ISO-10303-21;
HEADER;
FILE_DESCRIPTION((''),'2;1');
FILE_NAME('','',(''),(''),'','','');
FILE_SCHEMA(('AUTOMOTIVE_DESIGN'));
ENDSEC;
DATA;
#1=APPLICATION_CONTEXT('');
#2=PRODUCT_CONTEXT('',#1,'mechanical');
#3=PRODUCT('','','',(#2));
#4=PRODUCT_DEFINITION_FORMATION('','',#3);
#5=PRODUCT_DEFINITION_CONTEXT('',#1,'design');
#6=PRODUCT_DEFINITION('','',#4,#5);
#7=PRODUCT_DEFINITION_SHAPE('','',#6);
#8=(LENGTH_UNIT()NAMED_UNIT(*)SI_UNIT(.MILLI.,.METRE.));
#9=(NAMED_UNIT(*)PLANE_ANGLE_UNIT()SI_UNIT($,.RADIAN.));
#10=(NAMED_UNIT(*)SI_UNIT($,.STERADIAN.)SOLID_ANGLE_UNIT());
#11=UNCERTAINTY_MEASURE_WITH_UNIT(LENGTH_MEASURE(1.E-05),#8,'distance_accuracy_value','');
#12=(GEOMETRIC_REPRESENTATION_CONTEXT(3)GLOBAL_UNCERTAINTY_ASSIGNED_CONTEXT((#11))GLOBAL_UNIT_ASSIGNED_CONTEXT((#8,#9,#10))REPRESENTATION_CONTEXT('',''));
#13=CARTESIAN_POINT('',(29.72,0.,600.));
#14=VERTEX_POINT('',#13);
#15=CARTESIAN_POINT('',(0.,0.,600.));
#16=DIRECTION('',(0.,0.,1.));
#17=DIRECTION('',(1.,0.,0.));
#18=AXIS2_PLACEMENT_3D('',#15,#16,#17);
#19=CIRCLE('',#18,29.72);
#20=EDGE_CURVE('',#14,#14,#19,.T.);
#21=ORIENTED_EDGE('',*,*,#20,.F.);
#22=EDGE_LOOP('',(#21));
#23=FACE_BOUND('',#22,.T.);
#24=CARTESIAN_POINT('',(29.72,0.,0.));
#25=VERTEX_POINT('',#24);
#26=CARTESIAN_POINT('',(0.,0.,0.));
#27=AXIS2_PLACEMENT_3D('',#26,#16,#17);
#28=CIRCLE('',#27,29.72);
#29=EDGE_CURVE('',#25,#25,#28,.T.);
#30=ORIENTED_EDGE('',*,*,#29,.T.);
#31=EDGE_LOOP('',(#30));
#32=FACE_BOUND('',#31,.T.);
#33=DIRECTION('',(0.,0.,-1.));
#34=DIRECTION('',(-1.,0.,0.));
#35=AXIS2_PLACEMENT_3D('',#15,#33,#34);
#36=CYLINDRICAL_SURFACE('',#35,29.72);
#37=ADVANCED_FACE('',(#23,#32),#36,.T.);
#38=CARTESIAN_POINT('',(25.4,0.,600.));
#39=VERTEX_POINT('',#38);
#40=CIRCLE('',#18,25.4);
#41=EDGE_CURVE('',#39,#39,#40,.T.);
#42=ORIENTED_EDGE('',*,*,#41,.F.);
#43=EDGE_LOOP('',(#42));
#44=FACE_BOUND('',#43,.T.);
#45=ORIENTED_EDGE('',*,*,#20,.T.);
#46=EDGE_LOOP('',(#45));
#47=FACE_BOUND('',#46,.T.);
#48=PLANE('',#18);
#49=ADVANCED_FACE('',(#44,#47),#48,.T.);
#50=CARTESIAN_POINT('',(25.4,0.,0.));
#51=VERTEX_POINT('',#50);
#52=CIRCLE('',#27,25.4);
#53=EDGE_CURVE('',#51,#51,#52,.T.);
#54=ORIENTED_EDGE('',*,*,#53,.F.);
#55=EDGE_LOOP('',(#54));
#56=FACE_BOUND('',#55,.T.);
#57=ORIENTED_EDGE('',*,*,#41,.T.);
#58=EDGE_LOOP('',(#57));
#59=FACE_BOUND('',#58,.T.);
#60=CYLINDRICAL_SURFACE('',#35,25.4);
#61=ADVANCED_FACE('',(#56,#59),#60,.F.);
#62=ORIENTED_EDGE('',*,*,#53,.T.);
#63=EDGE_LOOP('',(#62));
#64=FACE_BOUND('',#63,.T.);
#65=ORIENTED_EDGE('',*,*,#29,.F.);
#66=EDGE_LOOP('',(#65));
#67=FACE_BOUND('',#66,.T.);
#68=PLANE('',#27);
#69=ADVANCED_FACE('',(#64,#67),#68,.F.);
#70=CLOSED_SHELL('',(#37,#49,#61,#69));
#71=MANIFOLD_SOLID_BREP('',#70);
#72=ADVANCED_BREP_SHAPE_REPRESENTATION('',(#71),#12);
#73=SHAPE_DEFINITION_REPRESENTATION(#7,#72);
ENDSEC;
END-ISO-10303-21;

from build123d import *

# Parameters (mm, degrees)
CROQUIS1_R              = 29.72
CROQUIS1_R_2            = 25.4
SALIENTE_EXTRUIR1_DEPTH = 600


with BuildPart() as part:
    # Croquis1 → Saliente-Extruir1 (new body)
    with BuildSketch(Plane.XY):
        Circle(CROQUIS1_R)
        Circle(CROQUIS1_R_2, mode=Mode.SUBTRACT)
    extrude(amount=SALIENTE_EXTRUIR1_DEPTH)


solid = part.part
